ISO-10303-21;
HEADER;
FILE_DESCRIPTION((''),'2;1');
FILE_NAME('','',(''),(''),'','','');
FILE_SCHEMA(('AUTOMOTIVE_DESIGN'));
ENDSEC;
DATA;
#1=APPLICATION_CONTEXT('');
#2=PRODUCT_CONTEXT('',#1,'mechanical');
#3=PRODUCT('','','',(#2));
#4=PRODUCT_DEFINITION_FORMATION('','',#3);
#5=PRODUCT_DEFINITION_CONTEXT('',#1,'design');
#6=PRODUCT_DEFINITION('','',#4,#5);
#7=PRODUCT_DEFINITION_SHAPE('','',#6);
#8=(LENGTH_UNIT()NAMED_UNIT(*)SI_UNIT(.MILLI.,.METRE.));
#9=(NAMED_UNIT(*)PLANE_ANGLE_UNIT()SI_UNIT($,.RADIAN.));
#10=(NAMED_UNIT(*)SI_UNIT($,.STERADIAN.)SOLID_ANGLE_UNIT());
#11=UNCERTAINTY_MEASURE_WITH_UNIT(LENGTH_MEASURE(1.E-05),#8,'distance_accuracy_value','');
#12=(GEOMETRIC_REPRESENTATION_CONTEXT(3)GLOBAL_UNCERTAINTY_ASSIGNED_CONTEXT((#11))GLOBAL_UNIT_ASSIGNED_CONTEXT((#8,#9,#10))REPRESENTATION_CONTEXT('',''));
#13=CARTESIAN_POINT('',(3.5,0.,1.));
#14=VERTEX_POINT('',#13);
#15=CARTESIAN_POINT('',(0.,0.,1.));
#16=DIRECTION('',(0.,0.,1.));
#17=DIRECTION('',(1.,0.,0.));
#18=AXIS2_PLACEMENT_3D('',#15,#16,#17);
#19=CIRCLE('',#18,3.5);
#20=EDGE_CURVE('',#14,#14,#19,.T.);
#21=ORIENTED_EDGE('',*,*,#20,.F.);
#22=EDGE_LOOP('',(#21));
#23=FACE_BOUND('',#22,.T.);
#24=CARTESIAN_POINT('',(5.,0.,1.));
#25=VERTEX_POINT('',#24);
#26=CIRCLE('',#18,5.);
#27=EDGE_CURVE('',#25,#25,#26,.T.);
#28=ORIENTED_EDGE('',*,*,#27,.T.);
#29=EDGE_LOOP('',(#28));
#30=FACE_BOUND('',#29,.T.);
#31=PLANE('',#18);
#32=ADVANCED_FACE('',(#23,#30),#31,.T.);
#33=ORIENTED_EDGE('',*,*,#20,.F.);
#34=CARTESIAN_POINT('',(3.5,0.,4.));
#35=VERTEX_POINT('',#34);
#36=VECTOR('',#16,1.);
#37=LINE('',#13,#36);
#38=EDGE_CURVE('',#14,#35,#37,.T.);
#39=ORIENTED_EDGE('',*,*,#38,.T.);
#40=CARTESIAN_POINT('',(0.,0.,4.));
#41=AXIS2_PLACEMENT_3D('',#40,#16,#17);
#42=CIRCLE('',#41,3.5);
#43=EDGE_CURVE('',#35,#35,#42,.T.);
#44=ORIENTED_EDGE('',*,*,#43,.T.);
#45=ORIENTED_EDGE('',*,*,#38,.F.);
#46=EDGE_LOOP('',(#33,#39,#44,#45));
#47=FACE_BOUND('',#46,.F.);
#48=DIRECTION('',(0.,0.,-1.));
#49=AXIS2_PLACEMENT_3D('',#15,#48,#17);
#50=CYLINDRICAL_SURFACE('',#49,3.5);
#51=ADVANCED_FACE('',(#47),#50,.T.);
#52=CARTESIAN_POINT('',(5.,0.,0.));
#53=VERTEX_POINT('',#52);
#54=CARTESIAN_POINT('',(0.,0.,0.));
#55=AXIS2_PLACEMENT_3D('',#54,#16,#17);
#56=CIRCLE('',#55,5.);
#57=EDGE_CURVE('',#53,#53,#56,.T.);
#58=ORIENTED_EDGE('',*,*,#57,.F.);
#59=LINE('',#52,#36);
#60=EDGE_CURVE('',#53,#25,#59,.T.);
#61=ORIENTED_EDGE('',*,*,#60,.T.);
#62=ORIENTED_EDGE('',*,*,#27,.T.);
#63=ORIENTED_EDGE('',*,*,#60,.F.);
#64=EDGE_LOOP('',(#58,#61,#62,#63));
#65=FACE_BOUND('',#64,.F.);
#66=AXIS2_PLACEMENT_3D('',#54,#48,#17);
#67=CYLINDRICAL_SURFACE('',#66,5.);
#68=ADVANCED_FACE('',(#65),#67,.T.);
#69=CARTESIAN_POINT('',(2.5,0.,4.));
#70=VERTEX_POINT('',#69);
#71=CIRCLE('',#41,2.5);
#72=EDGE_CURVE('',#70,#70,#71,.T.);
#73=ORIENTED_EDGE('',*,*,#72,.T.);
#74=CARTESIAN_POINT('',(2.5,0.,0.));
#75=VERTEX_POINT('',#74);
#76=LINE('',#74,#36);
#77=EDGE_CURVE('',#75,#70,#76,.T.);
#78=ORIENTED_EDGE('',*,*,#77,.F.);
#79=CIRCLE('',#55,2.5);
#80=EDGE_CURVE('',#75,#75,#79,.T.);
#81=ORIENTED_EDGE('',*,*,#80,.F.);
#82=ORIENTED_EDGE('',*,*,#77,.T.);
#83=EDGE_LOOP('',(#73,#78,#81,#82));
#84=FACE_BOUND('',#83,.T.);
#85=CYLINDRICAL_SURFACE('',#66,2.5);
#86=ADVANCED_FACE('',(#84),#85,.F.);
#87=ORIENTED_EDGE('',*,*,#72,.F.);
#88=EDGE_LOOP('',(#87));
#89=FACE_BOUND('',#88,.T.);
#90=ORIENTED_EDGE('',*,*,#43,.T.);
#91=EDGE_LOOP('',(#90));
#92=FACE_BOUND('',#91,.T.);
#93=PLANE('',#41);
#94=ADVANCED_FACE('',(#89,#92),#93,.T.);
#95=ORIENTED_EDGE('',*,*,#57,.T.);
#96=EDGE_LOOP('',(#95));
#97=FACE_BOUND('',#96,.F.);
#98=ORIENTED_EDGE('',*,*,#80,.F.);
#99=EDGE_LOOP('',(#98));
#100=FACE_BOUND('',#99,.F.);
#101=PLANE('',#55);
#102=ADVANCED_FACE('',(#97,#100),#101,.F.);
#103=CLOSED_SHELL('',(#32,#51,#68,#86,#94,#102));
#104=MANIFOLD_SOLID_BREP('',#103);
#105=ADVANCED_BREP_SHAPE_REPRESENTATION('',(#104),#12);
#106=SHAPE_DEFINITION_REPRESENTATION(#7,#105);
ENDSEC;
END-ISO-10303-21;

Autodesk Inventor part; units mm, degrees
ref_plane "YZ Plane" through (0, 0, 0) normal (1, 0, 0) x (0, 1, 0)
ref_plane "XZ Plane" through (0, 0, 0) normal (0, 1, 0) x (-1, 0, 0)
ref_plane "XY Plane" through (0, 0, 0) normal (0, 0, 1) x (1, 0, 0)
sketch "スケッチ1" plane through (0, 0, 0) normal (0, 0, 1) x (1, 0, 0)
  circle A0 centre (0, 0) radius 2.5
  circle A1 centre (0, 0) radius 5
  dimension "d0" = 5
  dimension "d1" = 10
extrude "押し出し1" add sketch "スケッチ1" along normal blind 1
sketch "スケッチ2" plane through (0, 0, 1) normal (0, 0, 1) x (1, 0, 0)
  circle A0 centre (0, 0) radius 2.5
  circle A1 centre (0, 0) radius 3.5
  dimension "d4" = 5
  dimension "d5" = 7
extrude "押し出し2" add sketch "スケッチ2" along normal blind 3
properties part number "80F-0503"
